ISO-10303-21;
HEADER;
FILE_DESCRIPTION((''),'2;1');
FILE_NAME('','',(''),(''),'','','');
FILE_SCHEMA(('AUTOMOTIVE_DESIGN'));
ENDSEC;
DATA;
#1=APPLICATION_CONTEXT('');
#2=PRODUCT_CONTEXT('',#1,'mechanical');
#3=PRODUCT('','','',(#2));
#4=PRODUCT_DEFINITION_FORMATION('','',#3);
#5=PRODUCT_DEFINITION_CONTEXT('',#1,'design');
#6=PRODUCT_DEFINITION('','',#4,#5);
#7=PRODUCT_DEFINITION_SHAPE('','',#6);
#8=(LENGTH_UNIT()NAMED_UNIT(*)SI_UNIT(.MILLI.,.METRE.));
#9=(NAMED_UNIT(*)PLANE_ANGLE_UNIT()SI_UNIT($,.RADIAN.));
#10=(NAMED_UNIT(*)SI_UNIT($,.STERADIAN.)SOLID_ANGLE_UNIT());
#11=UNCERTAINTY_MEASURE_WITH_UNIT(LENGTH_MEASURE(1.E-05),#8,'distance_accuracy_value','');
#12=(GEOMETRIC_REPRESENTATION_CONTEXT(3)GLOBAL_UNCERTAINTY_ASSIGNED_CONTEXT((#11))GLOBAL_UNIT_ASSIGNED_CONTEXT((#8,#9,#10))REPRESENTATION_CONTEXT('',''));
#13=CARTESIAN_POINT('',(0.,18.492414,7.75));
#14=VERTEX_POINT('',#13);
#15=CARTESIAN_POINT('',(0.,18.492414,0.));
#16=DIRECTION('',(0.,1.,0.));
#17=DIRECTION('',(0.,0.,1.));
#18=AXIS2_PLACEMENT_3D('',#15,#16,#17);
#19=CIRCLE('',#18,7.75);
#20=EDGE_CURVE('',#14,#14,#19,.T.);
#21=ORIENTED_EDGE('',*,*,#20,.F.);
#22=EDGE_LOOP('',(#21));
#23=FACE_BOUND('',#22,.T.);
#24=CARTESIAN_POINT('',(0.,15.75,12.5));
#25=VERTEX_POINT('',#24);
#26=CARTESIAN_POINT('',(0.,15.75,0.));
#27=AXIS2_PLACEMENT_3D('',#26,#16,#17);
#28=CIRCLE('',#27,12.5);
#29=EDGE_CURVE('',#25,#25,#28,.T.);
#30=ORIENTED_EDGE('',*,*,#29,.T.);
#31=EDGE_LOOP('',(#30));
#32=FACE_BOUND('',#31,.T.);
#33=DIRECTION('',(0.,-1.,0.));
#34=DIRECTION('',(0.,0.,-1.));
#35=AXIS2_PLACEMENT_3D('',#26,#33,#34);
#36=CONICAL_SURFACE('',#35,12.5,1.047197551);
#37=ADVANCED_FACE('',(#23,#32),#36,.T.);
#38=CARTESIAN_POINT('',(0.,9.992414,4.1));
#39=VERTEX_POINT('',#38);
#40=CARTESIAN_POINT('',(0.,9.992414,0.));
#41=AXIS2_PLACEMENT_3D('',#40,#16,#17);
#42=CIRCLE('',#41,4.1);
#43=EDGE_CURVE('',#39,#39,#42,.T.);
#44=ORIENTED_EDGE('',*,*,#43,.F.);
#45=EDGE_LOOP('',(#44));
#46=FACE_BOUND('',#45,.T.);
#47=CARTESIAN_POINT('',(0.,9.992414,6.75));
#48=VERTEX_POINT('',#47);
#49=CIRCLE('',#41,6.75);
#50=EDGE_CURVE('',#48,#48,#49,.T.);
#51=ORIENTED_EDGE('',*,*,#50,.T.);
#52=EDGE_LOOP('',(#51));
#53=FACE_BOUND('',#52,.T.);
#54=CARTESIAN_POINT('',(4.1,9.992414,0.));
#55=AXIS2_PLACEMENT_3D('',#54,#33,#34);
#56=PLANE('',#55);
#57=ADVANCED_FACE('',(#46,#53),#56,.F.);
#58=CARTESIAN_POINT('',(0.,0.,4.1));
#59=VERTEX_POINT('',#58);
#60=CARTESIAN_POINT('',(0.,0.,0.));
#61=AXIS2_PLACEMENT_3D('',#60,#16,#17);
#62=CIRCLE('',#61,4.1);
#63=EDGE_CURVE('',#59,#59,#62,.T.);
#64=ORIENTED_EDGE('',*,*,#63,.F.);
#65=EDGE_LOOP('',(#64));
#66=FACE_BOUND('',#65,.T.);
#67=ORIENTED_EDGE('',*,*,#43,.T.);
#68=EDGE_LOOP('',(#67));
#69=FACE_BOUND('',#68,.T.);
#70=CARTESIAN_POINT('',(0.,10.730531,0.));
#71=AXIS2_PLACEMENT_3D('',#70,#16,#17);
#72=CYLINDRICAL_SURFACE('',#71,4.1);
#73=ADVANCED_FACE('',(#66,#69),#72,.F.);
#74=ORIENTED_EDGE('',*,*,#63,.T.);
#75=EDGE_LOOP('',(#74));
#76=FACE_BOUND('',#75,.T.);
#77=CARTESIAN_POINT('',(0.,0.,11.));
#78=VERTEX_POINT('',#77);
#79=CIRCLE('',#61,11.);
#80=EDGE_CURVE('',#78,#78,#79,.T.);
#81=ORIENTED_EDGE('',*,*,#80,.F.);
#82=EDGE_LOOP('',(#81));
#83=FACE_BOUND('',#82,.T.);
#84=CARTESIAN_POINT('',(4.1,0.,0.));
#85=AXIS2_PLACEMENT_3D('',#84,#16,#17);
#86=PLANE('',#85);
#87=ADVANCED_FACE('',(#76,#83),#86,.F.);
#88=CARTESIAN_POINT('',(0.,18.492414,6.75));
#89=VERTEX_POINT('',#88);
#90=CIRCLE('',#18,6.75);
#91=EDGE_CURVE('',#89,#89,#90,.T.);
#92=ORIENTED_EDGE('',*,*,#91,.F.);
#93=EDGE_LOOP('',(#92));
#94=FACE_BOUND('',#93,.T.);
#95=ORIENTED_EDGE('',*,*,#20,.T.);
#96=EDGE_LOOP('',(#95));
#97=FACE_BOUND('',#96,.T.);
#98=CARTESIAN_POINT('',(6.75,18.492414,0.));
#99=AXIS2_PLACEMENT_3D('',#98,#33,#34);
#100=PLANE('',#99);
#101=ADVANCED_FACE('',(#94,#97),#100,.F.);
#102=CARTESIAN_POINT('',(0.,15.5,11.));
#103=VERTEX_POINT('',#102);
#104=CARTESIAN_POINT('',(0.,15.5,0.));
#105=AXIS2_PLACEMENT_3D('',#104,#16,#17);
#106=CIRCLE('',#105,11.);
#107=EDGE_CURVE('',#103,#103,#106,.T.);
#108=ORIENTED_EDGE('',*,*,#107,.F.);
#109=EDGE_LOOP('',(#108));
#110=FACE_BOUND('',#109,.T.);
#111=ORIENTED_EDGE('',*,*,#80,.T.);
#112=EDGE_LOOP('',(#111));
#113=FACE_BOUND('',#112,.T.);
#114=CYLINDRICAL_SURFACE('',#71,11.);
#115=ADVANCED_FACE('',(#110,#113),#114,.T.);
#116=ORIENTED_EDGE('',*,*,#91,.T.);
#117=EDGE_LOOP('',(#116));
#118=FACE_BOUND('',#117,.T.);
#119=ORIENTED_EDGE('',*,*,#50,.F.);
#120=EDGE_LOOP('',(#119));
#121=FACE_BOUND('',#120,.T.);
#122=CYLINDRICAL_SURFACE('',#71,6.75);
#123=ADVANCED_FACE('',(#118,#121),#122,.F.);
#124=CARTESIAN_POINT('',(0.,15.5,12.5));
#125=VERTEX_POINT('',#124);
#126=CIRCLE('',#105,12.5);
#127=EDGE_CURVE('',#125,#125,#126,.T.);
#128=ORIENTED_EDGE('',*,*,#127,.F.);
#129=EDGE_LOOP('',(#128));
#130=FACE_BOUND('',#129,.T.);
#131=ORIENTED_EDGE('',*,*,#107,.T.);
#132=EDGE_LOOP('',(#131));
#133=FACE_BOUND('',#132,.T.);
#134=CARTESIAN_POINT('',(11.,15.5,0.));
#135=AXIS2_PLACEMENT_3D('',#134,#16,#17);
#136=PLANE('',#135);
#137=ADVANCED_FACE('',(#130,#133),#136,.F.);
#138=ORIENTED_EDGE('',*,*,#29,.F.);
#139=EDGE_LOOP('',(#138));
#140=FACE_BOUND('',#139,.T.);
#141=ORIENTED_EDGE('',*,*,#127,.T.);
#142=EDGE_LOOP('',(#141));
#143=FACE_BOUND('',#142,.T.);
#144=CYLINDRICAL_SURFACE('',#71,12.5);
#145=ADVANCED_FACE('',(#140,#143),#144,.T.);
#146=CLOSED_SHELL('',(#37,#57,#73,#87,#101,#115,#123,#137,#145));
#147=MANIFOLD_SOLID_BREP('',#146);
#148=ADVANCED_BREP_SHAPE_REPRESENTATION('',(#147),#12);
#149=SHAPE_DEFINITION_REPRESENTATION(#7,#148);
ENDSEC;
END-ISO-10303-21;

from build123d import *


with BuildPart() as part:
    # Esquisse1 → Révolution1 (revolve)
    with BuildSketch(Plane.XY, mode=Mode.PRIVATE) as r_volution1_sk:
        Polygon((4.1, 0), (4.1, 9.992413779), (6.75, 9.992413779), (6.75, 18.492413779), (7.75, 18.492413779), (12.5, 15.75), (12.5, 15.5), (11, 15.5), (11, 0), align=None)
    revolve(r_volution1_sk.sketch.rotate(Axis((0, 10.730531249, 0), (0, -1, 0)), 90), axis=Axis((0, 10.730531249, 0), (0, -1, 0)))  # turned: the seam where the file's is


solid = part.part
